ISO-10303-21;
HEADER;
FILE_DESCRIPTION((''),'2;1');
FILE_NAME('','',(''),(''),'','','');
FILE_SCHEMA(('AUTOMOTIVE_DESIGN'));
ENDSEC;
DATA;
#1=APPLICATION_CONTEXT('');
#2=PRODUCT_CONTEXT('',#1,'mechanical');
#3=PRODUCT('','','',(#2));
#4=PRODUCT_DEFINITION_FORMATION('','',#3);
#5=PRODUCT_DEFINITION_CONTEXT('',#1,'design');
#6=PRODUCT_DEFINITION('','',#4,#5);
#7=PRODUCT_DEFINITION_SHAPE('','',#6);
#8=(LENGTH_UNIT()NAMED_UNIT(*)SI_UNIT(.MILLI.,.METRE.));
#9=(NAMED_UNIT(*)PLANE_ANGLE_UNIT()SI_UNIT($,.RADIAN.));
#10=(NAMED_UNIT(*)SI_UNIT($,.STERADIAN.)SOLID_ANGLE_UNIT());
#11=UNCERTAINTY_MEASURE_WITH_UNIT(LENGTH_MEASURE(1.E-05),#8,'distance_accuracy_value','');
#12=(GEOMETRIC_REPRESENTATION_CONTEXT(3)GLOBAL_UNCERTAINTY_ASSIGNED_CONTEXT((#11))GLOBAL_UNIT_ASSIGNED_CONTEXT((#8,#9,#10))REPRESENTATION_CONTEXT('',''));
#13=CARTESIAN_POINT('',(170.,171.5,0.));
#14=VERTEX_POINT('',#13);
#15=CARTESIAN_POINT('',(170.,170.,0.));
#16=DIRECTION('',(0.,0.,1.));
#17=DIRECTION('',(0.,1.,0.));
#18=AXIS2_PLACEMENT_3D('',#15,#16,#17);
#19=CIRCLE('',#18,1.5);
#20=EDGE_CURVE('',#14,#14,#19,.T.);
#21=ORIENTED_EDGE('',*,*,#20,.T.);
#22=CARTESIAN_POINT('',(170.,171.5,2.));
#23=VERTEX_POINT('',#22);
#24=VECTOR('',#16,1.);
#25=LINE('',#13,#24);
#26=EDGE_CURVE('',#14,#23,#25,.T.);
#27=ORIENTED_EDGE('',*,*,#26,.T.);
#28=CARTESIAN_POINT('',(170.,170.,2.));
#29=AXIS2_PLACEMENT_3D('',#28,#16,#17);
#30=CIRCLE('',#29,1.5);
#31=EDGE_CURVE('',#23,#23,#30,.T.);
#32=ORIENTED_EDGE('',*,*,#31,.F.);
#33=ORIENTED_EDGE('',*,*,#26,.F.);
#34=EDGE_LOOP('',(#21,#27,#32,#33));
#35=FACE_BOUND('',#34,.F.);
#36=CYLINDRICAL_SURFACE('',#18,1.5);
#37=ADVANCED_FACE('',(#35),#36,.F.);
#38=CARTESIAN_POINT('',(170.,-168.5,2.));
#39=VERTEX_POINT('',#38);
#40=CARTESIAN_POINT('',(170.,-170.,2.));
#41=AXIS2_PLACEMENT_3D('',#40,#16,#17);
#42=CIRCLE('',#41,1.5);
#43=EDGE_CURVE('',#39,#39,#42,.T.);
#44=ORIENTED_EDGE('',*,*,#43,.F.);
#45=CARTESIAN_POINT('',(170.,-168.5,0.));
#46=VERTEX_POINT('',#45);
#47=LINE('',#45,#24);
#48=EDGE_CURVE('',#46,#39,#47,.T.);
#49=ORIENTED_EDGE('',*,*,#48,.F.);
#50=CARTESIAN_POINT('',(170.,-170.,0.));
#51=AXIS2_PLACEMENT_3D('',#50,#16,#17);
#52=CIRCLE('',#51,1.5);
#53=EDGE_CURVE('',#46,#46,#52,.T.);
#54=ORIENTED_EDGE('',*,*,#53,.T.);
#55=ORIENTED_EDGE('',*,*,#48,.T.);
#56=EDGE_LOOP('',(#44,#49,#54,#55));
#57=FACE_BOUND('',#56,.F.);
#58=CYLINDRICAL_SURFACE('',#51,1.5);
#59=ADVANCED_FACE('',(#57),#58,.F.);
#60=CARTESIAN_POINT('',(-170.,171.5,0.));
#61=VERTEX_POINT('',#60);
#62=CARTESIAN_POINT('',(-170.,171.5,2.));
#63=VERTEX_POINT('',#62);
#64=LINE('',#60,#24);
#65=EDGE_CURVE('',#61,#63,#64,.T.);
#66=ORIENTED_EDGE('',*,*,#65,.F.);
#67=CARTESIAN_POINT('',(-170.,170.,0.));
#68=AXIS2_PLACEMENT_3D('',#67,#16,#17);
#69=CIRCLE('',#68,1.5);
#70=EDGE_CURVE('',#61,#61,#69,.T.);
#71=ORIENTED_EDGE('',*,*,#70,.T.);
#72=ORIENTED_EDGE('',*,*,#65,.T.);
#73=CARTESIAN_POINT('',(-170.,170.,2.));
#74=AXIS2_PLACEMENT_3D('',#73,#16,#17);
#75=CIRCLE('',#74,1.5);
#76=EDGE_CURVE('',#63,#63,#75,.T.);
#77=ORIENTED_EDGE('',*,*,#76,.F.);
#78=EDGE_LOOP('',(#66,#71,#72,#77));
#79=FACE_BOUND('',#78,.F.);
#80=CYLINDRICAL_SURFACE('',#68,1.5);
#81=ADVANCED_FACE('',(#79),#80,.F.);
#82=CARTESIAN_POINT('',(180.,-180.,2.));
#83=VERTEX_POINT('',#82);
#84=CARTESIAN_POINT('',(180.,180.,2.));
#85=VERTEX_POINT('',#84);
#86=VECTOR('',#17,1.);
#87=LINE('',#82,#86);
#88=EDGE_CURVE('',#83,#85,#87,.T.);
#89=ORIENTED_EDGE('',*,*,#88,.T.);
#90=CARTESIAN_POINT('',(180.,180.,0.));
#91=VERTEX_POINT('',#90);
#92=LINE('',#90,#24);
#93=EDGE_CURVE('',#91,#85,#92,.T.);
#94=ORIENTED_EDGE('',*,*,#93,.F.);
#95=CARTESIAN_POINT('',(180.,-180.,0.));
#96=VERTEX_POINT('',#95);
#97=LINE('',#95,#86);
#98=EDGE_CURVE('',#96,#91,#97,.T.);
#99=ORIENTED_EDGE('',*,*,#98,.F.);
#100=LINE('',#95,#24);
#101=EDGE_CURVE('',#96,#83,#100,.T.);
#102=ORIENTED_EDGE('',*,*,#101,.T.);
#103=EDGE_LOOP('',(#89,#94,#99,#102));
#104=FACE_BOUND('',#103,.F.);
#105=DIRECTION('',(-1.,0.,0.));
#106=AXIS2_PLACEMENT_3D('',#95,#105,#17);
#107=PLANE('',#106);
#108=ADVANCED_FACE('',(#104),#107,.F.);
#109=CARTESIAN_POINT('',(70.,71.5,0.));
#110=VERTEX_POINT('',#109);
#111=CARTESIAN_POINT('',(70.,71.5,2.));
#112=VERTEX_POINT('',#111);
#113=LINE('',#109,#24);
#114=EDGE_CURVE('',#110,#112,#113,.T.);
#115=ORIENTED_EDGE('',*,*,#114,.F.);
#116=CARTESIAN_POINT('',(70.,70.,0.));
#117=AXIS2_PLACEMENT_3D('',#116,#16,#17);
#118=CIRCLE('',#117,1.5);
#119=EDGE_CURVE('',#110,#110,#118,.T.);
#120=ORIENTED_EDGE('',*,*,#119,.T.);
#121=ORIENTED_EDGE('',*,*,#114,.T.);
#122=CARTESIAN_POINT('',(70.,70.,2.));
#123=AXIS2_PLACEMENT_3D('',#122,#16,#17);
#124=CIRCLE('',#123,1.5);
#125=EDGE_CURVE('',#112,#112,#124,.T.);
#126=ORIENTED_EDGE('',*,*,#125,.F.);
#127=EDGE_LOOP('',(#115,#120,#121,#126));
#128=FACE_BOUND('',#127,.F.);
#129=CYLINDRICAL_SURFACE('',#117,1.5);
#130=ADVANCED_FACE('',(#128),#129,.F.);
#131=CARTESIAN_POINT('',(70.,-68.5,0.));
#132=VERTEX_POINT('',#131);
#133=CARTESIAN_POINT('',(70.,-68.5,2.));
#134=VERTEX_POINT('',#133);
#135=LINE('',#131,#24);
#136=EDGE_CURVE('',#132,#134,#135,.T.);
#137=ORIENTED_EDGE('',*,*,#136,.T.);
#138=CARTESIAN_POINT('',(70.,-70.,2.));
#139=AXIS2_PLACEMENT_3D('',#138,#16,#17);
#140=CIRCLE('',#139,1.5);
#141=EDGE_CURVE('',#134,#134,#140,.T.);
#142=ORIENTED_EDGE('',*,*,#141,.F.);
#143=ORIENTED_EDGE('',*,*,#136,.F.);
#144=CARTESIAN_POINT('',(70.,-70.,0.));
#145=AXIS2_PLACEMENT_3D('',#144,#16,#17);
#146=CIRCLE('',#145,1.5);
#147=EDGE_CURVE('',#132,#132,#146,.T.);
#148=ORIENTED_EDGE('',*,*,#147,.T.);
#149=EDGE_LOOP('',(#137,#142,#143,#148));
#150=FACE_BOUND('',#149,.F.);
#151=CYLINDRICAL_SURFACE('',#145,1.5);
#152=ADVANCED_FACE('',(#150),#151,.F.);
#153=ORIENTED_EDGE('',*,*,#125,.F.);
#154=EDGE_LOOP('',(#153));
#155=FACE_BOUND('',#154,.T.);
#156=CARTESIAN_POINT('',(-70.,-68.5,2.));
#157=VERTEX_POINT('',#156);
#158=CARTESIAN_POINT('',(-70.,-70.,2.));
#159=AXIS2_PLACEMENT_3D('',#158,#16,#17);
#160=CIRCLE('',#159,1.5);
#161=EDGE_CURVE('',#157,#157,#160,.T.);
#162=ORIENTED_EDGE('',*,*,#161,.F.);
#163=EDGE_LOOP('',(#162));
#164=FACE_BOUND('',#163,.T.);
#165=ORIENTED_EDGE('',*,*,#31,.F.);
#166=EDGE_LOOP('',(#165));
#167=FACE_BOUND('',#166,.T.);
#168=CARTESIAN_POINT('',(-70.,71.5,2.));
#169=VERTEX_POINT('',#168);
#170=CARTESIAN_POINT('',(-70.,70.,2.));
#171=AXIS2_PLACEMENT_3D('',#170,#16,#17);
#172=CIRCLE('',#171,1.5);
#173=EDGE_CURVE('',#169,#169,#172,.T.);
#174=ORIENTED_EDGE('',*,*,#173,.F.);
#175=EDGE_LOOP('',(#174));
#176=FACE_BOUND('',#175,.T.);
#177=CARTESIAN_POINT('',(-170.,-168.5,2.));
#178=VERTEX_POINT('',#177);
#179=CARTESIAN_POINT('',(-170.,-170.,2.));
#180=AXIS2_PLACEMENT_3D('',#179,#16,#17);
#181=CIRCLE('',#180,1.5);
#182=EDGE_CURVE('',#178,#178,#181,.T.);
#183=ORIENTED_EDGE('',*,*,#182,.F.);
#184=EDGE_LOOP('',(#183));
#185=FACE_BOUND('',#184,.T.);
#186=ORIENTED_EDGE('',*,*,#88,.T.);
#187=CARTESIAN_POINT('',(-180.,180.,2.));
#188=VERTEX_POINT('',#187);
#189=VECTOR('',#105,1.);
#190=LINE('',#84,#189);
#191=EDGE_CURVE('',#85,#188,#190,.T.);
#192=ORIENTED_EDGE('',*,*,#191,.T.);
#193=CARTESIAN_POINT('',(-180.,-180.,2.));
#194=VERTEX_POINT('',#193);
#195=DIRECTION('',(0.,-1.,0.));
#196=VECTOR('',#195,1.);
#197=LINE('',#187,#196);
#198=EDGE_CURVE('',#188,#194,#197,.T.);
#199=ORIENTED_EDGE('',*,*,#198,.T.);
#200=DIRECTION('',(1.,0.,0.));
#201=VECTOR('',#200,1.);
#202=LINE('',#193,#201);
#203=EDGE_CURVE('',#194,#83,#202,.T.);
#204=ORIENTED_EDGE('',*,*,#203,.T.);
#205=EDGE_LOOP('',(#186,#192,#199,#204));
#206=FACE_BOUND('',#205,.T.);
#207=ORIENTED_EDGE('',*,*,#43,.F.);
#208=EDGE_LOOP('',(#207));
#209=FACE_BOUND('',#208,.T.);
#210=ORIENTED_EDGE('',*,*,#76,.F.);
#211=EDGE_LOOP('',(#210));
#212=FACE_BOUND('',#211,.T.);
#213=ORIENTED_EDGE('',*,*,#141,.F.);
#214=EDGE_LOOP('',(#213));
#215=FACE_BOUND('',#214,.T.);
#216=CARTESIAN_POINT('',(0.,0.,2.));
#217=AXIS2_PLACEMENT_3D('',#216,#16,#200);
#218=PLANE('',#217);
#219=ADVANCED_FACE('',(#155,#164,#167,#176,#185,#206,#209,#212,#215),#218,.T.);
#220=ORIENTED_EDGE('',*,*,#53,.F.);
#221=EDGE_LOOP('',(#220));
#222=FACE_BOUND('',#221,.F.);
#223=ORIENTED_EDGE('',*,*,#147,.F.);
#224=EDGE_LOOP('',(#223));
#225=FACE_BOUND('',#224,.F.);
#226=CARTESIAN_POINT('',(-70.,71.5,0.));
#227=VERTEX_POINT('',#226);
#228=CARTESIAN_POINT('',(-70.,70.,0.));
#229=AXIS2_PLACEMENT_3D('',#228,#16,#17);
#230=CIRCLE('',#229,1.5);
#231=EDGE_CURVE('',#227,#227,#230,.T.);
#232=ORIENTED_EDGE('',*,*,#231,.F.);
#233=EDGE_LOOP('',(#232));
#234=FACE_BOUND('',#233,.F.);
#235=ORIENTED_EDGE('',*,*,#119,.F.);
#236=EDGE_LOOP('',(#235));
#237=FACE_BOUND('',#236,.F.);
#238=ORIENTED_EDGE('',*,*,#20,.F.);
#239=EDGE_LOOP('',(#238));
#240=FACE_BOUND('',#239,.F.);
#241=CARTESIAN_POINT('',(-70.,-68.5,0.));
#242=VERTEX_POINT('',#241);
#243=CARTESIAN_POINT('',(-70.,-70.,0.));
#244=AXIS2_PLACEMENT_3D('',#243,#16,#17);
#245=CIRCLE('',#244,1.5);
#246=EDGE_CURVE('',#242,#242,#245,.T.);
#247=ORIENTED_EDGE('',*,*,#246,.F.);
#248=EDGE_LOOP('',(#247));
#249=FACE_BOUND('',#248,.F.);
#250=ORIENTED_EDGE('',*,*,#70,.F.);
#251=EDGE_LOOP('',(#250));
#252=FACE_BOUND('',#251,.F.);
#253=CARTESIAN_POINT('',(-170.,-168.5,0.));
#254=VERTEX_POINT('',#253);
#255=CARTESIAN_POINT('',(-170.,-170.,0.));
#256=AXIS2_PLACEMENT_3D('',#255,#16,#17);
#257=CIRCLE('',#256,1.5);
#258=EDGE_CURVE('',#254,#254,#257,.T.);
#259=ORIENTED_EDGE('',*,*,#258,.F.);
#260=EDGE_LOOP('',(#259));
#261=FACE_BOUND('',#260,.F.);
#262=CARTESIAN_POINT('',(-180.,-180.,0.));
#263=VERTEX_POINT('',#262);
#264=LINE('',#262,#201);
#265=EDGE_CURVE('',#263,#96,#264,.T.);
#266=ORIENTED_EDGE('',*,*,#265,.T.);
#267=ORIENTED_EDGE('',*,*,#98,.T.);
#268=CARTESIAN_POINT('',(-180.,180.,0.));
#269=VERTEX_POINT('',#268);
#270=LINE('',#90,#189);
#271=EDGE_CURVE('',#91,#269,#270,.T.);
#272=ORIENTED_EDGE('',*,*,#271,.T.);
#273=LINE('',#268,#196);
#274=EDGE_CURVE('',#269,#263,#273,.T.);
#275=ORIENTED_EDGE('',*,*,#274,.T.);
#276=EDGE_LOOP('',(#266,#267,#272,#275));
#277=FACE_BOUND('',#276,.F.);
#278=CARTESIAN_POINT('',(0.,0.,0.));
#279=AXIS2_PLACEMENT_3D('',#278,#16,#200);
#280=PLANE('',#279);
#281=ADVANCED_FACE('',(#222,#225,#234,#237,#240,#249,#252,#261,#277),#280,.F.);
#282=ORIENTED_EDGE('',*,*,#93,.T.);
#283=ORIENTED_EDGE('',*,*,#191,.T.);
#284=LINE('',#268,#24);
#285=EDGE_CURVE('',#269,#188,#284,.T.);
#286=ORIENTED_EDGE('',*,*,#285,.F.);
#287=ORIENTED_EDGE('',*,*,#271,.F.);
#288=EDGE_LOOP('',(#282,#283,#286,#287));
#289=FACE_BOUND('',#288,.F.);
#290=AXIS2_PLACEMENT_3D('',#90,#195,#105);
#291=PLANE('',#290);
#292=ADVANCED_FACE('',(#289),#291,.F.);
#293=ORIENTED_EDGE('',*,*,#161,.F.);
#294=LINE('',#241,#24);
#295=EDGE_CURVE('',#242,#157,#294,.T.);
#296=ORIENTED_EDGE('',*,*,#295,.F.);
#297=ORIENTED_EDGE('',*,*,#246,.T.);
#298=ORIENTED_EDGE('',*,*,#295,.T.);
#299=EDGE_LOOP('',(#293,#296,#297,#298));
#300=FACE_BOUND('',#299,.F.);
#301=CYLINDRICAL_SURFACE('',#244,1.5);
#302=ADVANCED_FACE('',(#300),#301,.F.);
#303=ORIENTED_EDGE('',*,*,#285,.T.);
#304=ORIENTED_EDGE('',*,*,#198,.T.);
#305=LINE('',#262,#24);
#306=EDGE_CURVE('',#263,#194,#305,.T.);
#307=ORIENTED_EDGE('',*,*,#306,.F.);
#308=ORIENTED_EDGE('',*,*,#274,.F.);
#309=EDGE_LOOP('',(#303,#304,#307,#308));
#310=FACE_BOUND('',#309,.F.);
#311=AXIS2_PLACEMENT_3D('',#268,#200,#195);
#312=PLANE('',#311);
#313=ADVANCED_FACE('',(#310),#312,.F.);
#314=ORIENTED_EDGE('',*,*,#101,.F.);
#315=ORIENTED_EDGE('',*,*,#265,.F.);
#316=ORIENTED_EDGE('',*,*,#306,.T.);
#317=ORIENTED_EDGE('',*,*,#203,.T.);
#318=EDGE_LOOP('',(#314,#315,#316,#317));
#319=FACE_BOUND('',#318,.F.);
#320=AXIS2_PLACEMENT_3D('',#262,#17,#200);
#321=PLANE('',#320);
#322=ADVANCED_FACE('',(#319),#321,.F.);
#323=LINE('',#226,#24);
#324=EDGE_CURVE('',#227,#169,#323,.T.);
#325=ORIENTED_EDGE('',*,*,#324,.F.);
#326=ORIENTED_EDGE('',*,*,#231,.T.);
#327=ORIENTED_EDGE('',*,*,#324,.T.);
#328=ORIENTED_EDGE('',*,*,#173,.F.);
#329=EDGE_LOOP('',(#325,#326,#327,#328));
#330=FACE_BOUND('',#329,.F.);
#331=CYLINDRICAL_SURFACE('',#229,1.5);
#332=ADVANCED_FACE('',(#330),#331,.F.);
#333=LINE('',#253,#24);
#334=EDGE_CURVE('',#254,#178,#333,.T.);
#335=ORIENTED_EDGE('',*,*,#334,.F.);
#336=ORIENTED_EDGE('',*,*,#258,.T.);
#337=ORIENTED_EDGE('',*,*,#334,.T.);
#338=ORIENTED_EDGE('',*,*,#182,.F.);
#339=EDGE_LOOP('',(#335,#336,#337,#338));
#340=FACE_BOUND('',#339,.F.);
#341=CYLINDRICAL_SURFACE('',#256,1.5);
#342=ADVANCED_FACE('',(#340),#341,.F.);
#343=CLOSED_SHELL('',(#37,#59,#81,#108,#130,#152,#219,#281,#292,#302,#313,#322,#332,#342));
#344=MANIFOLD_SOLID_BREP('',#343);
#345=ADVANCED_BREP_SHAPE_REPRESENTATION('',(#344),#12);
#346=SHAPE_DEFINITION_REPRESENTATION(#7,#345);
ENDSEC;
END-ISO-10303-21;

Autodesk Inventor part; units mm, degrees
ref_plane "YZ Plane" through (0, 0, 0) normal (1, 0, 0) x (0, 1, 0)
ref_plane "XZ Plane" through (0, 0, 0) normal (0, 1, 0) x (-1, 0, 0)
ref_plane "XY Plane" through (0, 0, 0) normal (0, 0, 1) x (1, 0, 0)
sketch "Skizze1" plane through (0, 0, 0) normal (0, 0, 1) x (1, 0, 0)
  line L0 (-180, -180) -> (180, -180)
  line L1 (180, -180) -> (180, 180)
  line L2 (180, 180) -> (-180, 180)
  line L3 (-180, 180) -> (-180, -180)
  line L4 (-180, -180) -> (180, 180) construction
  line L5 (180, -180) -> (-180, 180) construction
  point P0 (0, 0)
  dimension "d0" = 360
  dimension "d1" = 360
extrude "Extrusion1" add sketch "Skizze1" along normal blind 2
hole "Bohrung1" at (-170, -170, 0) direction (0, 0, 1) diameter 3 end through all
pattern_linear "Rechteckige Anordnung1" count 2 spacing 340 along (1, 0, 0) count 2 spacing 340 along (0, 1, 0) of "Bohrung1"
hole "Bohrung2" at (-70, -70, 0) direction (0, 0, 1) diameter 3 end through all
pattern_linear "Rechteckige Anordnung2" count 2 spacing 140 along (1, 0, 0) count 2 spacing 140 along (0, 1, 0) of "Bohrung2"
sketch "Skizze2" plane through (0, 0, 2) normal (0, 0, 1) x (1, 0, 0)
  circle A0 centre (70, 70) radius 1.5 projected
  circle A1 centre (-70, 70) radius 1.5 projected
  circle A2 centre (70, -70) radius 1.5 projected
  circle A3 centre (-70, -70) radius 1.5 projected
  circle A4 centre (170, 170) radius 1.5 projected
  circle A5 centre (-170, 170) radius 1.5 projected
  circle A6 centre (-170, -170) radius 1.5 projected
  line L0 (-180, -180) -> (180, -180) projected
  line L1 (180, -180) -> (180, 180) projected
  line L2 (180, 180) -> (-180, 180) projected
  line L3 (-180, 180) -> (-180, -180) projected
  line L4 (-180, 180) -> (-110, 180)
  line L5 (-110, 180) -> (-110, 170)
  line L6 (-110, 170) -> (-180, 170)
  line L7 (-180, 170) -> (-180, 180)
  line L8 (180, -180) -> (170, -180) construction
  line L9 (170, -180) -> (170, -70) construction
  line L10 (170, -70) -> (180, -70) construction
  line L11 (180, -70) -> (180, -180) construction
  point P0 (0, 0)
  dimension "d34" = 70
  dimension "d35" = 10
  dimension "d38" = 10
  dimension "d39" = 110
properties part number "Platine" material "Platinengrün"
